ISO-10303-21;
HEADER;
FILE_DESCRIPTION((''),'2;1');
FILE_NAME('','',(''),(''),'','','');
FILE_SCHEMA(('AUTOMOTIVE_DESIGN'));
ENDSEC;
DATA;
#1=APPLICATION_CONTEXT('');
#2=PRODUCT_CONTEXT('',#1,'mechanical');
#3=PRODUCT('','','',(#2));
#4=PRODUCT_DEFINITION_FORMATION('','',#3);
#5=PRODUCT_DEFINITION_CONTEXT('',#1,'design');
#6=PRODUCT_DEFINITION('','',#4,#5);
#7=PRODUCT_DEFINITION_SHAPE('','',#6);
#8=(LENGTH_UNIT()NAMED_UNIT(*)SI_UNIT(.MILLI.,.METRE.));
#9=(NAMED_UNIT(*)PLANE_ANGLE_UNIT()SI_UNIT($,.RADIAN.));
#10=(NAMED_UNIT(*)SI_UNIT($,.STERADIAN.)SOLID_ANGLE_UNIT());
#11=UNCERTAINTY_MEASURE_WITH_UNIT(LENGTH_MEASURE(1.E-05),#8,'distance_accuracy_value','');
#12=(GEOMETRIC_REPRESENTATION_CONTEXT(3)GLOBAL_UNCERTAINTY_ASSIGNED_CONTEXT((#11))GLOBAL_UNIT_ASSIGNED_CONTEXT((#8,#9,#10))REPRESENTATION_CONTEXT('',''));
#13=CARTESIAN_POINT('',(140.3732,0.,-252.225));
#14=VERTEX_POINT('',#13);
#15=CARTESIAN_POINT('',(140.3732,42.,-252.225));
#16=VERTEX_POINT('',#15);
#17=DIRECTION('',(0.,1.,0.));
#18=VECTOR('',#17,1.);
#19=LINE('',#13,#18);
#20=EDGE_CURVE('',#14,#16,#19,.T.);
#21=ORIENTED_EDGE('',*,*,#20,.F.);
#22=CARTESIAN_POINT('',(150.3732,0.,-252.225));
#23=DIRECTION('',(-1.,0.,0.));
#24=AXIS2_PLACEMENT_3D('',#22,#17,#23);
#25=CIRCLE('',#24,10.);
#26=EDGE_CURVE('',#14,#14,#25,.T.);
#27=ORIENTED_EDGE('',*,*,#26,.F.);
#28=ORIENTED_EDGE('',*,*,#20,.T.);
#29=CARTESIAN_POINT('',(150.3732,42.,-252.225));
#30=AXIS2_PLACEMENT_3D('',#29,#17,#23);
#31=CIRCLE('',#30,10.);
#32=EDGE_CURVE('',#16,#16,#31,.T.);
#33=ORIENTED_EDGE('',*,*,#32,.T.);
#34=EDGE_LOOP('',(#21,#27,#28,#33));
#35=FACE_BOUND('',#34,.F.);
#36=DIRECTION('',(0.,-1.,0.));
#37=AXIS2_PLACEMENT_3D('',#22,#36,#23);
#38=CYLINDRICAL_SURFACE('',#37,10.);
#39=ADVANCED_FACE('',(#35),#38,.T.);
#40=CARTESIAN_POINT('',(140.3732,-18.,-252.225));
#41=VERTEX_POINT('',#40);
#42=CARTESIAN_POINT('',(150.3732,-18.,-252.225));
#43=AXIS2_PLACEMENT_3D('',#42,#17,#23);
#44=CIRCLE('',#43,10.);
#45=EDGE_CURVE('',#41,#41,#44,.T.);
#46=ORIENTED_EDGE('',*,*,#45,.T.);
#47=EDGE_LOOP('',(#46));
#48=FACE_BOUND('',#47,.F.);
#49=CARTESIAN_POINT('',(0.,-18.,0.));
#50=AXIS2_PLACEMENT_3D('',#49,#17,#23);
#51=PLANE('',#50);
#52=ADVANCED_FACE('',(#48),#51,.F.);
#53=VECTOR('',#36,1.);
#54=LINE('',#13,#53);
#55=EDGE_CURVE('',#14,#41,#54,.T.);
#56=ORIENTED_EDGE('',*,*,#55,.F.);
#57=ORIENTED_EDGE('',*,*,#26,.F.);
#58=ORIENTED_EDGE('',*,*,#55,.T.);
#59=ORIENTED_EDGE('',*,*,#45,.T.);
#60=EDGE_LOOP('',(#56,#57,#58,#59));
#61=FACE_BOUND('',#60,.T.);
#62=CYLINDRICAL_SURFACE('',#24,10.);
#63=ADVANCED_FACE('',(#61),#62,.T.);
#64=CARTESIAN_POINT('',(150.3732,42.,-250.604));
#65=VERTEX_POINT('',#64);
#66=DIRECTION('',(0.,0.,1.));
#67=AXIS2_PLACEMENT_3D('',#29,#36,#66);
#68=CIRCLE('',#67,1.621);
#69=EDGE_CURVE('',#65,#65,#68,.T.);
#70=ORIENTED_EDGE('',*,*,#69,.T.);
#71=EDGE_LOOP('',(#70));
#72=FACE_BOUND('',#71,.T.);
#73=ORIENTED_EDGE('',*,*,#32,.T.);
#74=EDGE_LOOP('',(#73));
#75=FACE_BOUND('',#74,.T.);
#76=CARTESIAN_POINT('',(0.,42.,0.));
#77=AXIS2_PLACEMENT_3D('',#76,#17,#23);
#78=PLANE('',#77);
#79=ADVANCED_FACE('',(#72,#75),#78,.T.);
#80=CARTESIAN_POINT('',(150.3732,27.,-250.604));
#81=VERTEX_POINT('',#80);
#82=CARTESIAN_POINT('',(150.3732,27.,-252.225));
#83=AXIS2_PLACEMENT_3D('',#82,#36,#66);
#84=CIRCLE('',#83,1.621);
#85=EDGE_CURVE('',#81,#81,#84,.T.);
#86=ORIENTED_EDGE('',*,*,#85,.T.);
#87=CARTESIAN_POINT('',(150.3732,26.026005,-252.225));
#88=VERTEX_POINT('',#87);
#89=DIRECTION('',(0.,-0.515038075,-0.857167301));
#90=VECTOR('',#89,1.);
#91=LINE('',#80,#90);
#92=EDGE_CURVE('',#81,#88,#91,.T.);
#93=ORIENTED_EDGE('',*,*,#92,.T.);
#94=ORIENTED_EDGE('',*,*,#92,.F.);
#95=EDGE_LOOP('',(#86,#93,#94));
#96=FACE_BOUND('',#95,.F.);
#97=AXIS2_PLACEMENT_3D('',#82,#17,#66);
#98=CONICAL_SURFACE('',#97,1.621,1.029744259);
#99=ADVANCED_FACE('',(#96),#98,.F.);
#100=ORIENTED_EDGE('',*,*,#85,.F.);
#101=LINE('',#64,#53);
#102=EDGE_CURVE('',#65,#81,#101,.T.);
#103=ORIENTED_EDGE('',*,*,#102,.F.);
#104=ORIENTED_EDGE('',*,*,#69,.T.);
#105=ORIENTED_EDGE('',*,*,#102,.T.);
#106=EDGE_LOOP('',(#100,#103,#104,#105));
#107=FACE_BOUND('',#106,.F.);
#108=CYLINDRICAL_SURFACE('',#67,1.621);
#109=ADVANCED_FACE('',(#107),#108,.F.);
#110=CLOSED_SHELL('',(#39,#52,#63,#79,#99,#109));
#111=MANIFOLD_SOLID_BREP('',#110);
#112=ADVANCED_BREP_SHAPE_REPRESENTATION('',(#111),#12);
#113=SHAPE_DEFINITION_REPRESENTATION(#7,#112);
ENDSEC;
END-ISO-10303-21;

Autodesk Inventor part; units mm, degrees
ref_plane "YZ Plane" through (0, 0, 0) normal (1, 0, 0) x (0, 1, 0)
ref_plane "XZ Plane" through (0, 0, 0) normal (0, 1, 0) x (-1, 0, 0)
ref_plane "XY Plane" through (0, 0, 0) normal (0, 0, 1) x (1, 0, 0)
sketch "Sketch1" plane through (0, 0, 0) normal (0, 1, 0) x (-1, 0, 0)
  circle A0 centre (-150.3732, -252.225) radius 10 projected
  circle A1 centre (-150.3732, -252.225) radius 10
  point P0 (0, 0)
extrude "Extrusion1" add sketch "Sketch1" along normal blind 42 and the other way blind 18
sketch "Sketch2" plane through (150.3732, 42, -252.225) normal (0, 1, 0) x (1, 0, 0)
  point P0 (0, 0)
hole "Hole1" at (150.3732, 42, -252.225) direction (0, -1, 0) diameter 3.242 depth 15 tip angle 118 thread size "M4x0.7" class "6H" standard "ISO Metric profile"
properties part number "Bolzen"
